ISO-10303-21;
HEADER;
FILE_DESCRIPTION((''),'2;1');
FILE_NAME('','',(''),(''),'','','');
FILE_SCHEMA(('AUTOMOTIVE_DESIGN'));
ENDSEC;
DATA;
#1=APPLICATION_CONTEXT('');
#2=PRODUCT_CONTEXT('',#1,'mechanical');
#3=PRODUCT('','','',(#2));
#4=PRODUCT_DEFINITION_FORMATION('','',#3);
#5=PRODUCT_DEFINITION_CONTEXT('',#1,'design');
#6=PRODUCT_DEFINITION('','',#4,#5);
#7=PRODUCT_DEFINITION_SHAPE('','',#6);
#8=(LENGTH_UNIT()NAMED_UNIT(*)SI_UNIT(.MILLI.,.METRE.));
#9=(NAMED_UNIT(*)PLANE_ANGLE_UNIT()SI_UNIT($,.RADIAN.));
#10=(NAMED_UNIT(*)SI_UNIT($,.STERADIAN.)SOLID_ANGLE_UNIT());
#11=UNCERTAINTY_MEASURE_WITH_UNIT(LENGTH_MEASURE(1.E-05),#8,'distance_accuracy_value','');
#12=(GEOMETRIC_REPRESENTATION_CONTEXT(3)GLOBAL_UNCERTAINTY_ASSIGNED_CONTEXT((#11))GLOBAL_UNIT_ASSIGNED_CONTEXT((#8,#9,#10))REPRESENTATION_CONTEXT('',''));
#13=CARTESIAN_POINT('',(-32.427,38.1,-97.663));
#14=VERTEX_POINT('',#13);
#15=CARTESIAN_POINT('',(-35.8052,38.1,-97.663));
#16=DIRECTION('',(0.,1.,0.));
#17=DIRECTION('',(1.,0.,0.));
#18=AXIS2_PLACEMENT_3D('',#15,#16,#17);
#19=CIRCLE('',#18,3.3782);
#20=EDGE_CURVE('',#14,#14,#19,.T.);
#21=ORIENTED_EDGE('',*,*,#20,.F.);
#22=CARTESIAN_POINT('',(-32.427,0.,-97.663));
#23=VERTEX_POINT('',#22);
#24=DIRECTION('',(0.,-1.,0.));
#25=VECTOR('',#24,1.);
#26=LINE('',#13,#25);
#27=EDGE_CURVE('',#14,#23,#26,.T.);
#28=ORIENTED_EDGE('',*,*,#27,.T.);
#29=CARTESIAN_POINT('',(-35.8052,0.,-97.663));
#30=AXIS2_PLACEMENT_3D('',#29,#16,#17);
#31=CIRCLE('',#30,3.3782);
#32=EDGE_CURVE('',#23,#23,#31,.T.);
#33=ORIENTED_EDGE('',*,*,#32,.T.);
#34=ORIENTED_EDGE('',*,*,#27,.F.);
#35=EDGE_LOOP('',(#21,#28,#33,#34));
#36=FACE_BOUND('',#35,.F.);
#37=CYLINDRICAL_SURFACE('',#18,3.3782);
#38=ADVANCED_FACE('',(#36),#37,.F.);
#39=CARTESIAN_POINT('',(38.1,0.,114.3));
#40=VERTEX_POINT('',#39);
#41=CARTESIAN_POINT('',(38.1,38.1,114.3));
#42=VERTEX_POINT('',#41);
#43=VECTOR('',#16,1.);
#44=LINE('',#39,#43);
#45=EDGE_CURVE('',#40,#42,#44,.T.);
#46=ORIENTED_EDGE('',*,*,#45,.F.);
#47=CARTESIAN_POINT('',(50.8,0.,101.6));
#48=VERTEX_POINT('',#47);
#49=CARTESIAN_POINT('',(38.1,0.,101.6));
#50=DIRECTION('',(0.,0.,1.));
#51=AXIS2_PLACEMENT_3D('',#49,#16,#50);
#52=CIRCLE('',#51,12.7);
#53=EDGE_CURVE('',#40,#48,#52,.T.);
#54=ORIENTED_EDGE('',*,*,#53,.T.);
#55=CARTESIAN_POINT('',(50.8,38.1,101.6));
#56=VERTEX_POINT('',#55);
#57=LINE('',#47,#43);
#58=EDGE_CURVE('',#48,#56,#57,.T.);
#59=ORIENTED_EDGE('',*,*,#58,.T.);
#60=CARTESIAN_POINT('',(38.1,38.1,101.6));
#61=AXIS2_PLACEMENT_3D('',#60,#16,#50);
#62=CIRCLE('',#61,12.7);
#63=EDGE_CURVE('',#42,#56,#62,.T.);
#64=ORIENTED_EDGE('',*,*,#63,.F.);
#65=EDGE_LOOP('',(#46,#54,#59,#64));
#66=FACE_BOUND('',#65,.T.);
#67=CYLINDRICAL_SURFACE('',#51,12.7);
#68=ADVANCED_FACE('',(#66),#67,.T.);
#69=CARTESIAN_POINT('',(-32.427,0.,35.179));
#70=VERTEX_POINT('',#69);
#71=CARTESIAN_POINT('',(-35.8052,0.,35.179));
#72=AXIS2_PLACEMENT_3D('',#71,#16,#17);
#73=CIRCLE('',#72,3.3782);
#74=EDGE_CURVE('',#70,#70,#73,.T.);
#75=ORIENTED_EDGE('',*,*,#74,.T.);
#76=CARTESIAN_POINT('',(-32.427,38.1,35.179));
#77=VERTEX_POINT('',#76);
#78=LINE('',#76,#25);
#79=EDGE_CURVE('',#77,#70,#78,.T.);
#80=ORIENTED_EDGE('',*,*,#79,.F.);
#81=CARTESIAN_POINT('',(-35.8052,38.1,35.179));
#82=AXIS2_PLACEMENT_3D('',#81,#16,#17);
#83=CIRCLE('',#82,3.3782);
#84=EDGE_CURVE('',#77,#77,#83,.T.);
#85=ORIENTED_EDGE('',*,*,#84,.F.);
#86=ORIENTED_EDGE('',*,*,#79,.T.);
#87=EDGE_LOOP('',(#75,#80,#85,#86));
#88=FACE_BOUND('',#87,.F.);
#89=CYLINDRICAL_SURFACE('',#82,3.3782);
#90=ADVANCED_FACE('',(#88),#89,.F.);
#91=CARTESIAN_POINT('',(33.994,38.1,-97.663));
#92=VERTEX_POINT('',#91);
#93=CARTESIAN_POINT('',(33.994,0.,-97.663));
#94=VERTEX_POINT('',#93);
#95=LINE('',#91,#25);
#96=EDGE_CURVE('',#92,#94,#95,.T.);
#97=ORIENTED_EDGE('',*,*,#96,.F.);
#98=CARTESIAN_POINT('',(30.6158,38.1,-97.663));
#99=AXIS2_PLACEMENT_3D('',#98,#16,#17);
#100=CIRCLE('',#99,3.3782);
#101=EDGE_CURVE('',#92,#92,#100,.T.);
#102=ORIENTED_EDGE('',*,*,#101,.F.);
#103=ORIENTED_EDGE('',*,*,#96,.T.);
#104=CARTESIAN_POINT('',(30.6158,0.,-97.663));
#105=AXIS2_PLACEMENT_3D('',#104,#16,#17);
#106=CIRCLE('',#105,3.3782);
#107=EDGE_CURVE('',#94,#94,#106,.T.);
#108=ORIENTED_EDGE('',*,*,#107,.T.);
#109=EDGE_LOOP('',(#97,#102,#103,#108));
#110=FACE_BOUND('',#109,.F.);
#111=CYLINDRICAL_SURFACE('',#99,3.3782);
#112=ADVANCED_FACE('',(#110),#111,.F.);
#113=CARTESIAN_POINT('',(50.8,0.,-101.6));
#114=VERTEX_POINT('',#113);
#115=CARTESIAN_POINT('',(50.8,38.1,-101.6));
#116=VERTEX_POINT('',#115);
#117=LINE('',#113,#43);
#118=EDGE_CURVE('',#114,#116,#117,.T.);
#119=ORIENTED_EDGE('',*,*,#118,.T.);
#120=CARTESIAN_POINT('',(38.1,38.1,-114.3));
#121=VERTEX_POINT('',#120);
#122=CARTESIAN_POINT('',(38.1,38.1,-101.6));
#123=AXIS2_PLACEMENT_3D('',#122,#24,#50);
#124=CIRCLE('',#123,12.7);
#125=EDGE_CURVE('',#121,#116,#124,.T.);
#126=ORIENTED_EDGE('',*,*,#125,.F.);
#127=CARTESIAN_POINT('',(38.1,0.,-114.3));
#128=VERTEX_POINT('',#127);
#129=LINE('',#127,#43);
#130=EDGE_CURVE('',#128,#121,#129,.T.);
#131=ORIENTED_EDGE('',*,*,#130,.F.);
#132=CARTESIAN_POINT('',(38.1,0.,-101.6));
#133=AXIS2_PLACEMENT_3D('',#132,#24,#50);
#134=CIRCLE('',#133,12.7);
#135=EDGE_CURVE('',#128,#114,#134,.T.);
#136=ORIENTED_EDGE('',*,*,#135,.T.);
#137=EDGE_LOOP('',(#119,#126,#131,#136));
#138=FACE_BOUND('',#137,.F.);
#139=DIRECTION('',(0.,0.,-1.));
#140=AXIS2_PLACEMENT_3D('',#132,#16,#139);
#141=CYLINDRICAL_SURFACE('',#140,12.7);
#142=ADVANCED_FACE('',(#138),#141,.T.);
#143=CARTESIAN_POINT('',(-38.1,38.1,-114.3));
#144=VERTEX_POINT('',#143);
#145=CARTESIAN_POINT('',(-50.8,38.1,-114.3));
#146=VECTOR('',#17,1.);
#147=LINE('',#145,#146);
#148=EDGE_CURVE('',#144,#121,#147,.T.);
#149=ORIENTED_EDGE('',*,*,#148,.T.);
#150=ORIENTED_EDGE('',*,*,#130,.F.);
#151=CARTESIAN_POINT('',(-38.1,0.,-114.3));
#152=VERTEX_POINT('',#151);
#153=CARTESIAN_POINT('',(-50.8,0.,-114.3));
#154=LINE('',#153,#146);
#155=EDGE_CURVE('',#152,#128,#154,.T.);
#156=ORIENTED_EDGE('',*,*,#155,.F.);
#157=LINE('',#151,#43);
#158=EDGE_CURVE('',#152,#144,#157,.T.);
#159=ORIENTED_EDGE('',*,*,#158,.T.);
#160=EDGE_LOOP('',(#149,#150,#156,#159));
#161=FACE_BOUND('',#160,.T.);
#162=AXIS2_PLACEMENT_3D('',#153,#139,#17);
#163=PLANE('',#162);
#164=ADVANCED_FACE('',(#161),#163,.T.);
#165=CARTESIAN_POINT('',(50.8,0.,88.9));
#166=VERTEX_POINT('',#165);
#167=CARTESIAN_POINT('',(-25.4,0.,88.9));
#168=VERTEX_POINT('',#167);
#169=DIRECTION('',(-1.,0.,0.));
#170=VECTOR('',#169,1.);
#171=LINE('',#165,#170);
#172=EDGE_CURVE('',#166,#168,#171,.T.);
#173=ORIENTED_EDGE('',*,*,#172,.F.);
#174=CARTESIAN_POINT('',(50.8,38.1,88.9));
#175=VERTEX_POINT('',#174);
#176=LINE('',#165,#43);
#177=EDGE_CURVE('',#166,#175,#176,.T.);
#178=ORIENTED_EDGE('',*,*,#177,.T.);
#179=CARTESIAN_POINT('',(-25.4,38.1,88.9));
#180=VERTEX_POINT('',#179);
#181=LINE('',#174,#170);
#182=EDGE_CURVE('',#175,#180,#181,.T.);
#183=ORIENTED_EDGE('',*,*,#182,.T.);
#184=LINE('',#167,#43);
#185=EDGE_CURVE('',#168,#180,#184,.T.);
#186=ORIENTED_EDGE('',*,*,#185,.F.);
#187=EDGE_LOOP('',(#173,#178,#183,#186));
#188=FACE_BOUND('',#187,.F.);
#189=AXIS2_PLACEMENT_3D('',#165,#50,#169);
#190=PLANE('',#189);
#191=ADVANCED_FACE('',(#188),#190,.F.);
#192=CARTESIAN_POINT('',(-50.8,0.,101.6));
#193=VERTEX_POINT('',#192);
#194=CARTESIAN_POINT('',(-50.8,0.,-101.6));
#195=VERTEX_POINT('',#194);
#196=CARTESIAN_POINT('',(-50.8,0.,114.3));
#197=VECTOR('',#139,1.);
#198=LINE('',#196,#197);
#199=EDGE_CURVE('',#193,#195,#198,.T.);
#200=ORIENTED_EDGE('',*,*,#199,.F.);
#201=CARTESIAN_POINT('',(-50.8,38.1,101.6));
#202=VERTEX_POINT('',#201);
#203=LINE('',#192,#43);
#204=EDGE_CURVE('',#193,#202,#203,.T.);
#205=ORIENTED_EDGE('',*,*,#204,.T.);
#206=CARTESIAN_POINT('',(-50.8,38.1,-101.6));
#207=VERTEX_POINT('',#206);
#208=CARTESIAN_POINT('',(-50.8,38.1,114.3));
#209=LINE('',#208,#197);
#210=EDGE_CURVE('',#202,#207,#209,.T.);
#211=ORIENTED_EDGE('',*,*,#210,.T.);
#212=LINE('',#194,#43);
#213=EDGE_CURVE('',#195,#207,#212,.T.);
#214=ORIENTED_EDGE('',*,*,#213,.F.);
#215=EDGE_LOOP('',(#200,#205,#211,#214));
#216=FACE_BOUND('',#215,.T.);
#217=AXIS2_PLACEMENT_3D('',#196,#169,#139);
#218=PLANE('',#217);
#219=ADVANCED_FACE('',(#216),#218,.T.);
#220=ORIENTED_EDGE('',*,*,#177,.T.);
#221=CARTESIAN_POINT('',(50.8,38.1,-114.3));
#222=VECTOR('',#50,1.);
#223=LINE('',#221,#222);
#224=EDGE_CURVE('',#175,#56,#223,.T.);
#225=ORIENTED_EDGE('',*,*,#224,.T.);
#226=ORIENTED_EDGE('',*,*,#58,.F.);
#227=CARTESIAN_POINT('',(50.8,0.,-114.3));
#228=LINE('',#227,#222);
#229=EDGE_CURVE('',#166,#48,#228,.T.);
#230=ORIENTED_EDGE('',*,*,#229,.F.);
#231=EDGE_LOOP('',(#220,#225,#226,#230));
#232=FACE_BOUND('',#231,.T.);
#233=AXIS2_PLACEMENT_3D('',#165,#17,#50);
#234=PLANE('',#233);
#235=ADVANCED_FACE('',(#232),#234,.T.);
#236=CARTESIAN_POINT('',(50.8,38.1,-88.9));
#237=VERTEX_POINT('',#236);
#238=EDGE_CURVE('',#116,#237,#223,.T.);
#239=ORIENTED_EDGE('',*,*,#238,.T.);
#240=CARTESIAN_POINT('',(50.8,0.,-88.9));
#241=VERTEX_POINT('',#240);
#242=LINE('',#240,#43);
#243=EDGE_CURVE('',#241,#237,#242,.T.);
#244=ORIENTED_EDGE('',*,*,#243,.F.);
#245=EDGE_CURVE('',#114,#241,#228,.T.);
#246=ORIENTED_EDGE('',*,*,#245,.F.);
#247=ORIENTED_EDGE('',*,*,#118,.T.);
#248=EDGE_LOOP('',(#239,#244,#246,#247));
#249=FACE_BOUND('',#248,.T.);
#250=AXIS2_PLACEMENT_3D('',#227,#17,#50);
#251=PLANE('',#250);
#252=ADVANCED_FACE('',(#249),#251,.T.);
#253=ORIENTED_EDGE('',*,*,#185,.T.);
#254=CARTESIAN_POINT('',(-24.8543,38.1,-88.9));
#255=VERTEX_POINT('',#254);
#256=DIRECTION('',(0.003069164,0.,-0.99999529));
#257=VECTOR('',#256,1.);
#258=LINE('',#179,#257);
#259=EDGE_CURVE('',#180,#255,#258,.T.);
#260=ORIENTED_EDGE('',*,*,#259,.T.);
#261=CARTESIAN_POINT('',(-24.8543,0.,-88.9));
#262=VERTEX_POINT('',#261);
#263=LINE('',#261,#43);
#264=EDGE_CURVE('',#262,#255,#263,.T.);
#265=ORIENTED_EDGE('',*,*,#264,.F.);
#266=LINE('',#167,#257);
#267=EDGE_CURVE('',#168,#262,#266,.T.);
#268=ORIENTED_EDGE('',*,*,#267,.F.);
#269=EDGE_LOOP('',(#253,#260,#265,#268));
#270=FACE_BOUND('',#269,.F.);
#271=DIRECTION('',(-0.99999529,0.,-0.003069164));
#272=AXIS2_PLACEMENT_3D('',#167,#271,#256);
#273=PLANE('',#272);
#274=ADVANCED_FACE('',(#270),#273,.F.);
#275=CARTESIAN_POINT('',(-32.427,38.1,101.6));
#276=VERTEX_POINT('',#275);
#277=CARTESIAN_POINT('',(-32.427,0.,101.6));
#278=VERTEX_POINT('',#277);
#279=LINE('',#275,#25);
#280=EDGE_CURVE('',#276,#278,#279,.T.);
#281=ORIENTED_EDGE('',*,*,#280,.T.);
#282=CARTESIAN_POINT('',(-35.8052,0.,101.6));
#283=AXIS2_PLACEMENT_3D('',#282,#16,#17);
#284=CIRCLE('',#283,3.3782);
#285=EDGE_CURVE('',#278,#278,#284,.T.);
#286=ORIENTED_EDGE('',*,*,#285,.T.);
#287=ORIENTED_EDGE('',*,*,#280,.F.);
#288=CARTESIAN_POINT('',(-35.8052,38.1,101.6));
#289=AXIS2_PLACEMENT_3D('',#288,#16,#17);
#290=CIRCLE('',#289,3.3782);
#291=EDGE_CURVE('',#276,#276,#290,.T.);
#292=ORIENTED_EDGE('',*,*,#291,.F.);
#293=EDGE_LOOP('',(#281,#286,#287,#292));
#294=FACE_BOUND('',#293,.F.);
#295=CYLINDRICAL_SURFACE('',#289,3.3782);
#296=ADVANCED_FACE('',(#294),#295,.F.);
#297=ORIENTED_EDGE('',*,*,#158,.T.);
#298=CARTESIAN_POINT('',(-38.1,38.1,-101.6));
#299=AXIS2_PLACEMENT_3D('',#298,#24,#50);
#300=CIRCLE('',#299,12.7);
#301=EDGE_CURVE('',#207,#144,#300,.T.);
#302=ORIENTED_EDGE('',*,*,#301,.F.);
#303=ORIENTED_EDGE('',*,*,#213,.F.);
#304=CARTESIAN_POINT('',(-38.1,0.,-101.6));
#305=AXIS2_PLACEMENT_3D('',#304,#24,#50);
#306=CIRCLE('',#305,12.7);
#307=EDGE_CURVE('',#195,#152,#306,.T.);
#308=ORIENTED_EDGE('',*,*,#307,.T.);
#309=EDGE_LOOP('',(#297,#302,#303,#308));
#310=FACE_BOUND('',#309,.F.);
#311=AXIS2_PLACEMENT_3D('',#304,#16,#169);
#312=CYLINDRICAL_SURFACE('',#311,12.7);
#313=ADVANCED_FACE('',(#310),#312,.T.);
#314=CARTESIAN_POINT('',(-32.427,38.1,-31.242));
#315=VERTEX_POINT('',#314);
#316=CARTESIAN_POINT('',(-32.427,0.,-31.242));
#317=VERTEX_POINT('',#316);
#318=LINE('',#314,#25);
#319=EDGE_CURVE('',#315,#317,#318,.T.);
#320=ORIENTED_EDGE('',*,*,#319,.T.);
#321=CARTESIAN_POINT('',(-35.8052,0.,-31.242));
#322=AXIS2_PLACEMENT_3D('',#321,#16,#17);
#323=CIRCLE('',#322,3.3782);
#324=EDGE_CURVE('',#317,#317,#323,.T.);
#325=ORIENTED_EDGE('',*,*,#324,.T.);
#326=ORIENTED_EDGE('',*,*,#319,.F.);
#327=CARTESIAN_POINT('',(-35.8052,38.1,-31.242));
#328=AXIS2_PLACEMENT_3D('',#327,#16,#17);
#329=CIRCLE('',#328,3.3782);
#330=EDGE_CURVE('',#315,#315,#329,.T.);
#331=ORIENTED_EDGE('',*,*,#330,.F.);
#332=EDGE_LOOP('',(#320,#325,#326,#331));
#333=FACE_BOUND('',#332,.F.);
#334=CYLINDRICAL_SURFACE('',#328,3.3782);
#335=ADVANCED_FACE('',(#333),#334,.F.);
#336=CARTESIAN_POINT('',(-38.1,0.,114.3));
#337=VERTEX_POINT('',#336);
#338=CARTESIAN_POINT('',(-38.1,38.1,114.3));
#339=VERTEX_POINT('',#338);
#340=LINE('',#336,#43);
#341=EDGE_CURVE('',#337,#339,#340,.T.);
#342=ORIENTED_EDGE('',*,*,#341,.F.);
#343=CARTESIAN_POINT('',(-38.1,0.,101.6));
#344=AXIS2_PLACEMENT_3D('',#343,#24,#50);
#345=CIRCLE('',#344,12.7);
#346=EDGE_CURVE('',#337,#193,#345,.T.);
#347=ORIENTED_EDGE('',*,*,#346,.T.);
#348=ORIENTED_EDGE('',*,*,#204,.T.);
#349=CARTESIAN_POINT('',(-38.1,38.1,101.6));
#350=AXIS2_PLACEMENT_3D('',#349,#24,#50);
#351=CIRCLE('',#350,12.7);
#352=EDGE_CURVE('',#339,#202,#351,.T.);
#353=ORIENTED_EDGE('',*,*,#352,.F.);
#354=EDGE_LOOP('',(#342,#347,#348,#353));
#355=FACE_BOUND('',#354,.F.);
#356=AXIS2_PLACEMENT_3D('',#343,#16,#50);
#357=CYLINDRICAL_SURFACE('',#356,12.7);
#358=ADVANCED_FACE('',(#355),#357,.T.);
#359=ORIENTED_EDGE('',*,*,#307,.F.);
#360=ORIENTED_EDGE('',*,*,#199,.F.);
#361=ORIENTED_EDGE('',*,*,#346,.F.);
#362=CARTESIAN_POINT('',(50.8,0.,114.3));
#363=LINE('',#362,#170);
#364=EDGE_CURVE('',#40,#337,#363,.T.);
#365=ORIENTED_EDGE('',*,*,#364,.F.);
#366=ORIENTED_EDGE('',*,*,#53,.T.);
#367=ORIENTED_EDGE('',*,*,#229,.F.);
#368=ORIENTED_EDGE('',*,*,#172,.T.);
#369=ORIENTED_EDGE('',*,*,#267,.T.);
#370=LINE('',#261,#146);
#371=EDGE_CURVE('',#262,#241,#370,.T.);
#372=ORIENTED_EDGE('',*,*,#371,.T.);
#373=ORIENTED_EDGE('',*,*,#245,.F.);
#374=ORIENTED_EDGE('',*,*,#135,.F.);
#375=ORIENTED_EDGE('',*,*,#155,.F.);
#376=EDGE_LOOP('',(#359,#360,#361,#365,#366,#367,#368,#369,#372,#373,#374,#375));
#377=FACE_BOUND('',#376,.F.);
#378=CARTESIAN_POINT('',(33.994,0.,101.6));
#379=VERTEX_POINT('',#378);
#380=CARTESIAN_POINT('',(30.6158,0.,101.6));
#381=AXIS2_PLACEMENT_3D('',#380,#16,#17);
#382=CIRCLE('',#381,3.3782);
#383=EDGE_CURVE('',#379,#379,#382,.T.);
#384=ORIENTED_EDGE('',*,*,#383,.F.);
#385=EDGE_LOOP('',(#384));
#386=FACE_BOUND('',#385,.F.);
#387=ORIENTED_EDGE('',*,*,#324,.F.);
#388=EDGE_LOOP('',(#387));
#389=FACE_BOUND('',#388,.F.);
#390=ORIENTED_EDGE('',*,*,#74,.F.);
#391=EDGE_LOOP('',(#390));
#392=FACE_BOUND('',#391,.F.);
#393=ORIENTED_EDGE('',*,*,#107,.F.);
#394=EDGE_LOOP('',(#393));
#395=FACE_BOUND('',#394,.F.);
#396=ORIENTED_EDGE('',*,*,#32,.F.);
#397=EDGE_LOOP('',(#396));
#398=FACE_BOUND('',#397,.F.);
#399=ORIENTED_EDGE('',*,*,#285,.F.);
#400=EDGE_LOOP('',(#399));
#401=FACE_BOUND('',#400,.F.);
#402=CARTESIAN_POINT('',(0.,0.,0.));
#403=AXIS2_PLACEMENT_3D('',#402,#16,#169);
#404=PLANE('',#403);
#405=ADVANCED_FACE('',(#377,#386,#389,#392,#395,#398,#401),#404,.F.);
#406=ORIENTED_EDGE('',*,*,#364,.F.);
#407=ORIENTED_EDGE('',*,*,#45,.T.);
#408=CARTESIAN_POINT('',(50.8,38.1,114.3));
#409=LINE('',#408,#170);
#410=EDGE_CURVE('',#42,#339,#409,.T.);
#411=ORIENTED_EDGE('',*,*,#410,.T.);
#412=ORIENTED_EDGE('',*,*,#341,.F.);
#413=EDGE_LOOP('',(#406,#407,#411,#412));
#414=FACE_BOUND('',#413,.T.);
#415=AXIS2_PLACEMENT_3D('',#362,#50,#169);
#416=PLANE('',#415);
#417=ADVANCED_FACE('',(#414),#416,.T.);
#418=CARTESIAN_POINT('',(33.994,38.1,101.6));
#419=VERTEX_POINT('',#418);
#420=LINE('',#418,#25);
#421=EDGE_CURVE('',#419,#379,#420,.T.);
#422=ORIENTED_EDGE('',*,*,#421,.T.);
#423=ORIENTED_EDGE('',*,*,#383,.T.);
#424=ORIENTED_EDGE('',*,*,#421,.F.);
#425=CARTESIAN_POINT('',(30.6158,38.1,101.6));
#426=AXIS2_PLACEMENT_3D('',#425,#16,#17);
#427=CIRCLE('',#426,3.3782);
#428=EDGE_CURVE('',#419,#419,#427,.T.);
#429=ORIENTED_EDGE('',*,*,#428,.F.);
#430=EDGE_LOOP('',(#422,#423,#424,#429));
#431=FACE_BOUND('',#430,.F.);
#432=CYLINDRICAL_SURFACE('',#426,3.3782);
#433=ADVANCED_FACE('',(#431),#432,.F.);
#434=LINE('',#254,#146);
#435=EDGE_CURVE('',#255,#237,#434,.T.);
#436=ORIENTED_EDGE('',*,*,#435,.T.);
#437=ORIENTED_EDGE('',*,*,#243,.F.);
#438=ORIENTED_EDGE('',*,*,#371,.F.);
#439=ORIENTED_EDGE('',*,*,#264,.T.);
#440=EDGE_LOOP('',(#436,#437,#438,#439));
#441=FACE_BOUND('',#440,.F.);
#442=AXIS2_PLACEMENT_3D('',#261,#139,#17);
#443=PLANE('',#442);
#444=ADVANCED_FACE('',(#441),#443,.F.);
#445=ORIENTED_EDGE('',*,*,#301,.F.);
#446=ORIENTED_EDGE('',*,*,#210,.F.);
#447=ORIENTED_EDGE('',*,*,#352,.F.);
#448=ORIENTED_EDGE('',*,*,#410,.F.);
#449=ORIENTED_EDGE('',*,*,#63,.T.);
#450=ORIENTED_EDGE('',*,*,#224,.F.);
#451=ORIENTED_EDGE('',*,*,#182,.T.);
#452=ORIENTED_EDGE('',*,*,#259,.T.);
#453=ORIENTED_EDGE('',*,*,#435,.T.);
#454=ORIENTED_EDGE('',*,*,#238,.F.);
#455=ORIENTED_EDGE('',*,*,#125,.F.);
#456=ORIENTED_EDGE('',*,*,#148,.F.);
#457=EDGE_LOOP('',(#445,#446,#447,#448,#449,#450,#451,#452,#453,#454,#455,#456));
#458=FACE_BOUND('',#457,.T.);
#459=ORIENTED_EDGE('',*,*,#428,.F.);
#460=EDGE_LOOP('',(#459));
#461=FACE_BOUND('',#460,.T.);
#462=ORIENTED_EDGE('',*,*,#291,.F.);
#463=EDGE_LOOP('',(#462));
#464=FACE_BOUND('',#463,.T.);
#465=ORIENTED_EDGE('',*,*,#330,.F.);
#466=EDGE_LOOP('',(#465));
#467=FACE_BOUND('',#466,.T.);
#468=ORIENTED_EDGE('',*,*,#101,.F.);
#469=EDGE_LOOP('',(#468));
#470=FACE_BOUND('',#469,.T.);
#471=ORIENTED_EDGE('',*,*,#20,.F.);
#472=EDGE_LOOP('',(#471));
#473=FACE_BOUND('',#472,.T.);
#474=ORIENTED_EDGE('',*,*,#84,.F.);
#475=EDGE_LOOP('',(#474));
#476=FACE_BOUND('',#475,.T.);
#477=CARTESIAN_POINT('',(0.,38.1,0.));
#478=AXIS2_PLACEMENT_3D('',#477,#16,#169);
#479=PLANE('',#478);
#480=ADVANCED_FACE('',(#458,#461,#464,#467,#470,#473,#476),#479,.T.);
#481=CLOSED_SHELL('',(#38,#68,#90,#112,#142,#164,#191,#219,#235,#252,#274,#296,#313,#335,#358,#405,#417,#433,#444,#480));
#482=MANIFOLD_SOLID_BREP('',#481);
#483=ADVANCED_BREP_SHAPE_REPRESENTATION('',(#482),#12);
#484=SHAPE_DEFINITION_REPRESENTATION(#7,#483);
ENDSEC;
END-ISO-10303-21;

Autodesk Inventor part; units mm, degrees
ref_plane "YZ Plane" through (0, 0, 0) normal (1, 0, 0) x (0, 1, 0)
ref_plane "XZ Plane" through (0, 0, 0) normal (0, 1, 0) x (-1, 0, 0)
ref_plane "XY Plane" through (0, 0, 0) normal (0, 0, 1) x (1, 0, 0)
sketch "Sketch1" plane through (0, 0, 0) normal (0, 1, 0) x (-1, 0, 0)
  line L0 (-50.8, 114.3) -> (50.8, 114.3)
  line L1 (50.8, 114.3) -> (50.8, -114.3)
  line L2 (50.8, -114.3) -> (-50.8, -114.3)
  line L3 (-50.8, -114.3) -> (-50.8, 114.3)
  line L4 (-50.8, 114.3) -> (50.8, -114.3) construction
  line L5 (50.8, 114.3) -> (-50.8, -114.3) construction
  line L6 (-50.8, 88.9) -> (25.4, 88.9)
  line L7 (25.4, 88.9) -> (24.8543, -88.9)
  line L8 (24.8543, -88.9) -> (-50.8, -88.9)
  point P0 (0, 0)
  dimension "d0" = 101.6
  dimension "d1" = 228.6
  dimension "d2" = 76.2
  dimension "d3" = 25.4
  dimension "d4" = 25.4
extrude "Extrusion1" add sketch "Sketch1" along normal blind 38.1 contours L0 L1 L2 L3 L8 L7 L6
fillet "Fillet1" radius 12.7 4 edges at (50.8, 19.05, 114.3) (-50.8, 19.05, 114.3) (-50.8, 19.05, -114.3) (50.8, 19.05, -114.3)
sketch "Sketch2" plane through (0, 38.1, 0) normal (0, 1, 0) x (1, 0, 0)
  line L0 (-38.1, -114.3) -> (38.1, -114.3) projected
  circle A0 centre (-35.8052, -101.6) radius 3.3782
  line L1 (-35.8052, -101.6) -> (-35.8052, 101.6) construction
  line L2 (-35.8052, -101.6) -> (40.3948, -101.6) construction
  line L3 (-35.8052, 101.6) -> (40.3948, 101.6) construction
  circle A1 centre (-35.8052, -88.3158) radius 3.3782 construction
  line L4 (-39.1834, -98.2218) -> (-30.0963, -98.2218) construction
  circle A2 centre (-35.8052, -75.0316) radius 3.3782 construction
  circle A3 centre (-35.8052, -61.7474) radius 3.3782 construction
  circle A4 centre (-35.8052, -48.4632) radius 3.3782 construction
  circle A5 centre (-35.8052, -35.179) radius 3.3782 construction
  circle A6 centre (-35.8052, -21.8948) radius 3.3782 construction
  circle A7 centre (-35.8052, -8.6106) radius 3.3782 construction
  circle A8 centre (-35.8052, 4.6736) radius 3.3782 construction
  circle A9 centre (-35.8052, 17.9578) radius 3.3782 construction
  circle A10 centre (-35.8052, 31.242) radius 3.3782 construction
  circle A11 centre (-35.8052, 44.5262) radius 3.3782 construction
  circle A12 centre (-35.8052, 57.8104) radius 3.3782 construction
  circle A13 centre (-35.8052, 71.0946) radius 3.3782 construction
  circle A14 centre (-35.8052, 84.3788) radius 3.3782 construction
  circle A15 centre (-35.8052, 97.663) radius 3.3782 construction
  circle A16 centre (-22.521, -101.6) radius 3.3782 construction
  circle A17 centre (-9.2368, -101.6) radius 3.3782 construction
  circle A18 centre (4.0474, -101.6) radius 3.3782 construction
  circle A19 centre (17.3316, -101.6) radius 3.3782 construction
  circle A20 centre (30.6158, -101.6) radius 3.3782 construction
  circle A21 centre (43.9, -101.6) radius 3.3782 construction
  circle A22 centre (30.6158, 97.663) radius 3.3782 construction
  circle A23 centre (30.6158, -101.6) radius 3.3782 construction
  circle A24 centre (-35.8052, 97.663) radius 3.3782 construction
  circle A25 centre (-35.8052, 31.242) radius 3.3782 construction
  circle A26 centre (-35.8052, -35.179) radius 3.3782 construction
  circle A27 centre (-35.8052, -35.179) radius 3.3782
  circle A28 centre (-35.8052, 31.242) radius 3.3782
  circle A29 centre (-35.8052, 97.663) radius 3.3782
  circle A30 centre (30.6158, 97.663) radius 3.3782
  circle A31 centre (30.6158, -101.6) radius 3.3782
  point P0 (0, 0)
  point P1 (-35.8052, -25.4)
  point P2 (-35.8052, 25.4)
  dimension "d8" = 12.7
  dimension "d9" = 76.2
  dimension "d10" = 127
  dimension "d11" = 203.2
  dimension "d12" = 76.2
  dimension "d13" = 6.7564
  dimension "d22" = 13.2842
  dimension "d25" = 13.2842
  dimension "d30" = 13.2842
  dimension "d33" = 13.2842
  dimension "d38" = 6.7564
  dimension "d39" = 6.7564
  dimension "d40" = 6.7564
  dimension "d41" = 6.7564
  dimension "d42" = 6.7564
  dimension "d43" = 6.7564
  dimension "d44" = 6.7564
  dimension "d45" = 6.7564
  dimension "d46" = 6.7564
extrude "Extrusion4" cut sketch "Sketch2" against normal through all
equation "\"d25\" = d22"
equation "\"d30\" = d22"
equation "\"d33\" = d22"
properties part number "FINALBH"
